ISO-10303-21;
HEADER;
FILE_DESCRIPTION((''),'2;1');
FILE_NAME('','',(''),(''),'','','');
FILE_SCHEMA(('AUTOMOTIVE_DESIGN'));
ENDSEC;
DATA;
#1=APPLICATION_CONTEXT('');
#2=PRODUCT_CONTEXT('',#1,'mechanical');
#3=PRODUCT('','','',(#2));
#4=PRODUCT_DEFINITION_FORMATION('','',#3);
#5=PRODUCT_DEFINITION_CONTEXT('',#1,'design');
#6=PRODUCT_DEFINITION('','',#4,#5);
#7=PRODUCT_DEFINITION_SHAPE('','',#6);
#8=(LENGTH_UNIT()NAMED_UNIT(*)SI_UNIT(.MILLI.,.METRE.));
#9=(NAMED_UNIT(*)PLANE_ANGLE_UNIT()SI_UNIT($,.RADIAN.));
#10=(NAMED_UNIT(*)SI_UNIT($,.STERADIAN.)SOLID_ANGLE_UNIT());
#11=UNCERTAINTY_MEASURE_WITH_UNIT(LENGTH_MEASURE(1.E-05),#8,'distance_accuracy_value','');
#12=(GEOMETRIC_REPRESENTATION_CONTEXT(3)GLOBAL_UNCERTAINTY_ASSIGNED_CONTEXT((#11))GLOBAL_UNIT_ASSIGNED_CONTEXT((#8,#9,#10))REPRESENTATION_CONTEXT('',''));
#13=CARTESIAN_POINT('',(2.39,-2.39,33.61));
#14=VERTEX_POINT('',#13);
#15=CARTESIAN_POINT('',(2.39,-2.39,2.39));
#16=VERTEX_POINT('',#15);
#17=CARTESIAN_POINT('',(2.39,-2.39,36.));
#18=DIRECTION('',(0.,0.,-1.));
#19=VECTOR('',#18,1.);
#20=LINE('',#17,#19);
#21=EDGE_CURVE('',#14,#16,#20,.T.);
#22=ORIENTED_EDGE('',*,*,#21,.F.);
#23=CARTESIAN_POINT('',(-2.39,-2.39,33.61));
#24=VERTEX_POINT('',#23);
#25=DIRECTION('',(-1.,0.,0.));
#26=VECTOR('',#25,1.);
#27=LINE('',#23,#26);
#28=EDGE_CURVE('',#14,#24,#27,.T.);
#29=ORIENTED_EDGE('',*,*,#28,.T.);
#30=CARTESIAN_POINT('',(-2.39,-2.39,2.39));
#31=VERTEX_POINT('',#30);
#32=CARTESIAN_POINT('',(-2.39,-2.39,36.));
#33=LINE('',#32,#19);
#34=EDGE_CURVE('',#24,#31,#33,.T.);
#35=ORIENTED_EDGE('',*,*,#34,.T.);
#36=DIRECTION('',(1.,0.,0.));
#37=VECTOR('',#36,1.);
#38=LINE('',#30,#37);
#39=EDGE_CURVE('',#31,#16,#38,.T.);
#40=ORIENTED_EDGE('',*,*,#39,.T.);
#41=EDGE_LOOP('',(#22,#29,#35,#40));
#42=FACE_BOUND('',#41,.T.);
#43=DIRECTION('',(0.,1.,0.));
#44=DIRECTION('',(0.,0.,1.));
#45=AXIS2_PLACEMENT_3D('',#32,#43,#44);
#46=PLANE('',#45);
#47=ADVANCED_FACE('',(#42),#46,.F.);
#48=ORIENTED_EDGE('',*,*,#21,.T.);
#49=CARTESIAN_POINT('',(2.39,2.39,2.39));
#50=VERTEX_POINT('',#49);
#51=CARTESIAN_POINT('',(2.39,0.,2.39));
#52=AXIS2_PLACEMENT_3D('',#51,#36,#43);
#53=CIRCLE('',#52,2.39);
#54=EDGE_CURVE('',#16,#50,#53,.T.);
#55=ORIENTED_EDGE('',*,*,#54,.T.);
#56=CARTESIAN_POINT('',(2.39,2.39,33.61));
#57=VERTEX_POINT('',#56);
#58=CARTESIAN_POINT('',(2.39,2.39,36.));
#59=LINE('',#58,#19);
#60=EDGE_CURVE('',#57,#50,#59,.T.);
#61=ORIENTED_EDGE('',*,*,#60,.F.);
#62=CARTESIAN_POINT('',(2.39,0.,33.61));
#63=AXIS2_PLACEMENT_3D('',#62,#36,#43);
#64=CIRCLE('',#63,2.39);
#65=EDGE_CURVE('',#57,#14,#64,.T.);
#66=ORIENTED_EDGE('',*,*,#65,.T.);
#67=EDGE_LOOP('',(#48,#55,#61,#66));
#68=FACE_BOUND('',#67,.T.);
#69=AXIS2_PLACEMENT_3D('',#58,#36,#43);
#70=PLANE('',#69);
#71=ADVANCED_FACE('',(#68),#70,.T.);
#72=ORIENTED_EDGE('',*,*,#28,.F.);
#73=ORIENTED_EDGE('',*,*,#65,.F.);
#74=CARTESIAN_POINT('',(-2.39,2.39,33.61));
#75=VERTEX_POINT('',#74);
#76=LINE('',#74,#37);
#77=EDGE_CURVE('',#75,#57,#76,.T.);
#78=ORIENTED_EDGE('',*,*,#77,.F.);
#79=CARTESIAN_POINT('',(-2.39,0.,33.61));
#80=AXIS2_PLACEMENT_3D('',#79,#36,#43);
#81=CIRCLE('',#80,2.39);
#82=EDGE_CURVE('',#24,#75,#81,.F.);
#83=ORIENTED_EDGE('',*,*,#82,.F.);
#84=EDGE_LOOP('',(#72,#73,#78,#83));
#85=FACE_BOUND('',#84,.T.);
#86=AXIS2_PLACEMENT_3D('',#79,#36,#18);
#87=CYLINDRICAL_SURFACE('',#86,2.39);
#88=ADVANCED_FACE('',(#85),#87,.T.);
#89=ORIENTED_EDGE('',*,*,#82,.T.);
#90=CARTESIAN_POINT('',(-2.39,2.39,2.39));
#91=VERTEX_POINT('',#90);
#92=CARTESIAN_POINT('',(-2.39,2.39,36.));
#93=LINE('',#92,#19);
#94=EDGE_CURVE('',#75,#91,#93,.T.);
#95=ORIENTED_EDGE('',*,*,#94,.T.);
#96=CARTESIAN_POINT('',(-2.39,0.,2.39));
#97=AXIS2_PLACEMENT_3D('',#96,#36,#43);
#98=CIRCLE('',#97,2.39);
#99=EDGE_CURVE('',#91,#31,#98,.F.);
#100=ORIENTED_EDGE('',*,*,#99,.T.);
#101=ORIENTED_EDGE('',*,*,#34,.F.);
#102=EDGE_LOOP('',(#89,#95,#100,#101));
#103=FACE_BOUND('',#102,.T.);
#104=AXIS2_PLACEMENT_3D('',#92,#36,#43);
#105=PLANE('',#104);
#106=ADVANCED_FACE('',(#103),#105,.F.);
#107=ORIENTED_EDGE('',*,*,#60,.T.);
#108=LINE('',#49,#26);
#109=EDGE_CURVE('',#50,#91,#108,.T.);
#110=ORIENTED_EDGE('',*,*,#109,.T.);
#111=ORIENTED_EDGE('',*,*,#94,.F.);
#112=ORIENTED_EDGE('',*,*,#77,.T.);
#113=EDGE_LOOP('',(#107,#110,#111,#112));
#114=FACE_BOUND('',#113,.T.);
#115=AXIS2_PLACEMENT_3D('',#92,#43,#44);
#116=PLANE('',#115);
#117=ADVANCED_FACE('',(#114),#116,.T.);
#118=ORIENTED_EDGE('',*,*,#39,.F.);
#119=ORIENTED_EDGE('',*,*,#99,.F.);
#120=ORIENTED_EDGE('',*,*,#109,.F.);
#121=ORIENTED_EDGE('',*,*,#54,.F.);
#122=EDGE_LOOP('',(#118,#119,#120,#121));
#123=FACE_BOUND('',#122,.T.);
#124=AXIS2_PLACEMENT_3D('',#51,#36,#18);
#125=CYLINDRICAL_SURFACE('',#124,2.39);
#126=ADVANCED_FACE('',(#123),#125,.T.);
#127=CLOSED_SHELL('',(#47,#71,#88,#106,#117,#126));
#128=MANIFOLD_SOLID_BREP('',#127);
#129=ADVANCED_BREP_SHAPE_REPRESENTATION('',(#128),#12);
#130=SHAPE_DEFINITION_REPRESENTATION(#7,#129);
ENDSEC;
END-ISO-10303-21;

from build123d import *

# Parameters (mm, degrees)
SZKIC1_W                    = 4.78
SZKIC1_H                    = 4.78
DODANIE_WYCI_GNI_CIE1_DEPTH = 36
ZAOKR_GLENIE1_RADIUS        = 2.39
ZAOKR_GLENIE1_LENGTH        = 4.78
ZAOKR_GLENIE2_RADIUS        = 2.39
ZAOKR_GLENIE2_LENGTH        = 4.78


with BuildPart() as part:
    # Szkic1 → Dodanie-wyciągnięcie1 (new body)
    with BuildSketch(Plane.XY):
        Rectangle(SZKIC1_W, SZKIC1_H)
    extrude(amount=DODANIE_WYCI_GNI_CIE1_DEPTH)

    # Zaokrąglenie1: full round fillet: the end face becomes a half cylinder, R = half its width
    zaokr_glenie1_face = Plane((0, 0, 36), x_dir=(-1, 0, 0), z_dir=(0, 0, 1))  # on the end face: x along it, z out of the body
    zaokr_glenie1_slab = zaokr_glenie1_face.offset(-ZAOKR_GLENIE1_RADIUS / 2) * Box(ZAOKR_GLENIE1_LENGTH, 2 * ZAOKR_GLENIE1_RADIUS, ZAOKR_GLENIE1_RADIUS, mode=Mode.PRIVATE)  # the body's end, R deep
    zaokr_glenie1_round = Plane((0, 0, 33.61), x_dir=(0, 0, 1), z_dir=(-1, 0, 0)) * Cylinder(ZAOKR_GLENIE1_RADIUS, ZAOKR_GLENIE1_LENGTH, mode=Mode.PRIVATE)  # its axis R under the face
    add(zaokr_glenie1_slab - zaokr_glenie1_round, mode=Mode.SUBTRACT)

    # Zaokrąglenie2: full round fillet: the end face becomes a half cylinder, R = half its width
    zaokr_glenie2_face = Plane((0, 0, 0), x_dir=(1, 0, 0), z_dir=(0, 0, -1))  # on the end face: x along it, z out of the body
    zaokr_glenie2_slab = zaokr_glenie2_face.offset(-ZAOKR_GLENIE2_RADIUS / 2) * Box(ZAOKR_GLENIE2_LENGTH, 2 * ZAOKR_GLENIE2_RADIUS, ZAOKR_GLENIE2_RADIUS, mode=Mode.PRIVATE)  # the body's end, R deep
    zaokr_glenie2_round = Plane((0, 0, 2.39), x_dir=(0, 0, -1), z_dir=(1, 0, 0)) * Cylinder(ZAOKR_GLENIE2_RADIUS, ZAOKR_GLENIE2_LENGTH, mode=Mode.PRIVATE)  # its axis R under the face
    add(zaokr_glenie2_slab - zaokr_glenie2_round, mode=Mode.SUBTRACT)


solid = part.part
